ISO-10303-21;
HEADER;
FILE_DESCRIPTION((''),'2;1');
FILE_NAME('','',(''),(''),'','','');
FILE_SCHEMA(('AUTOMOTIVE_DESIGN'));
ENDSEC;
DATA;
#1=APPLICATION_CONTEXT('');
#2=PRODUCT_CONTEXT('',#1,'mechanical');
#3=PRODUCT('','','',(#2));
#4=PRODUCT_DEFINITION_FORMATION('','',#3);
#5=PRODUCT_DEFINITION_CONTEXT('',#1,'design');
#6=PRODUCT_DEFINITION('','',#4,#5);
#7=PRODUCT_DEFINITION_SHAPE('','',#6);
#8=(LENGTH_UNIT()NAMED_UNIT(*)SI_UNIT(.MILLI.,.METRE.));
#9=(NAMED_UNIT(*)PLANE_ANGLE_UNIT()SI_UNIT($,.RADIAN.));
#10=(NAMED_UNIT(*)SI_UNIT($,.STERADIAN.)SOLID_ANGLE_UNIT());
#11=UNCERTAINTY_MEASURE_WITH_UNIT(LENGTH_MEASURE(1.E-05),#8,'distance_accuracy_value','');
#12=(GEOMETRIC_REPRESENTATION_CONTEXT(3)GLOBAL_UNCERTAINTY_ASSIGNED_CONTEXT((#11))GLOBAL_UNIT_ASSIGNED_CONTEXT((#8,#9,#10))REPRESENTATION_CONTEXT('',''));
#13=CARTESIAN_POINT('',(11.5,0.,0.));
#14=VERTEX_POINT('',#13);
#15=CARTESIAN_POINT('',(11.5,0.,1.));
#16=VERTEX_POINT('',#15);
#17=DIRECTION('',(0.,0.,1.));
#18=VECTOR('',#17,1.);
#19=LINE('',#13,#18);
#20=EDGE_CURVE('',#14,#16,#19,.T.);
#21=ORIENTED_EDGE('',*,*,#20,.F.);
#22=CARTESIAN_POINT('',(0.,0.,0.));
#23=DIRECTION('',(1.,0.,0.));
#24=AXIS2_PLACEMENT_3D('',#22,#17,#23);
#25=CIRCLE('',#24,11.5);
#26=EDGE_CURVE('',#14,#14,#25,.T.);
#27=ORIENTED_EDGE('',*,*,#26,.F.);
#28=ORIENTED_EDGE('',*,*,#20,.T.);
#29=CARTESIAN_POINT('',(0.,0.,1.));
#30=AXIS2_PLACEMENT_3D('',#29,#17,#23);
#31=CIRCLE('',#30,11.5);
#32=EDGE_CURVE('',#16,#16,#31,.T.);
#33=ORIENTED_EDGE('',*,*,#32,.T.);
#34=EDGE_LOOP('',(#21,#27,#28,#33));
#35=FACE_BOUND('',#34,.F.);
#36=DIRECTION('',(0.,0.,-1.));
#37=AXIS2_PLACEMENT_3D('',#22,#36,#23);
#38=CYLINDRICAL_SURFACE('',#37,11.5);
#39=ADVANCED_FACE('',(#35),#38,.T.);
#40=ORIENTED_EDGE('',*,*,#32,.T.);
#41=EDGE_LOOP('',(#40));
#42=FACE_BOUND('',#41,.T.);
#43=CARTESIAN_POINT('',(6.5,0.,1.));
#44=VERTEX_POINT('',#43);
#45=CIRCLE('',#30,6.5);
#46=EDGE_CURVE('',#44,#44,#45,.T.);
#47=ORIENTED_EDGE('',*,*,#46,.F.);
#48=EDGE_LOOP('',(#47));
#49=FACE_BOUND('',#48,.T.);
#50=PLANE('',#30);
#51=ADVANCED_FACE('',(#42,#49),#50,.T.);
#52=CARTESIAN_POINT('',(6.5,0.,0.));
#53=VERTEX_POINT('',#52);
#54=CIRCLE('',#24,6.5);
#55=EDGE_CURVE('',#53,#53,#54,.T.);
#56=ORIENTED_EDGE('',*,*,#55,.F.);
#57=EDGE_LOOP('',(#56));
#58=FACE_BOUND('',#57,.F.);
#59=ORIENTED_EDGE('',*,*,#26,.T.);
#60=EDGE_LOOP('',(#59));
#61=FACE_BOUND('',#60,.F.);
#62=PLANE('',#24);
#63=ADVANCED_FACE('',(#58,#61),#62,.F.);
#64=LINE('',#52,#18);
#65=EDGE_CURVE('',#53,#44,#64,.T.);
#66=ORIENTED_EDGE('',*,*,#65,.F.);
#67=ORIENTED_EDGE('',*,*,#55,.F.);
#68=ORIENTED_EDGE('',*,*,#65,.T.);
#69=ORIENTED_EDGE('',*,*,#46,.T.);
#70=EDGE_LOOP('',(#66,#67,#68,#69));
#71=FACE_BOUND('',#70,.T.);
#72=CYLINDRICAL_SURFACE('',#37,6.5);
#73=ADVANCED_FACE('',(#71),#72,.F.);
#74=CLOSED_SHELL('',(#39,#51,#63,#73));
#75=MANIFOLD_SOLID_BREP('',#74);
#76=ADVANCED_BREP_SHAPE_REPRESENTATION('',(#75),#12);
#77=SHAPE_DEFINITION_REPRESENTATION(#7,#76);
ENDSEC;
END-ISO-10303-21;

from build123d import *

# Parameters (mm, degrees)
SKETCH_R   = 11.5
SKETCH_R_2 = 6.5
PAD_DEPTH  = 1


with BuildPart() as part:
    # Sketch → Pad (new body)
    with BuildSketch(Plane.XY):
        Circle(SKETCH_R)
        Circle(SKETCH_R_2, mode=Mode.SUBTRACT)
    extrude(amount=PAD_DEPTH)


solid = part.part
